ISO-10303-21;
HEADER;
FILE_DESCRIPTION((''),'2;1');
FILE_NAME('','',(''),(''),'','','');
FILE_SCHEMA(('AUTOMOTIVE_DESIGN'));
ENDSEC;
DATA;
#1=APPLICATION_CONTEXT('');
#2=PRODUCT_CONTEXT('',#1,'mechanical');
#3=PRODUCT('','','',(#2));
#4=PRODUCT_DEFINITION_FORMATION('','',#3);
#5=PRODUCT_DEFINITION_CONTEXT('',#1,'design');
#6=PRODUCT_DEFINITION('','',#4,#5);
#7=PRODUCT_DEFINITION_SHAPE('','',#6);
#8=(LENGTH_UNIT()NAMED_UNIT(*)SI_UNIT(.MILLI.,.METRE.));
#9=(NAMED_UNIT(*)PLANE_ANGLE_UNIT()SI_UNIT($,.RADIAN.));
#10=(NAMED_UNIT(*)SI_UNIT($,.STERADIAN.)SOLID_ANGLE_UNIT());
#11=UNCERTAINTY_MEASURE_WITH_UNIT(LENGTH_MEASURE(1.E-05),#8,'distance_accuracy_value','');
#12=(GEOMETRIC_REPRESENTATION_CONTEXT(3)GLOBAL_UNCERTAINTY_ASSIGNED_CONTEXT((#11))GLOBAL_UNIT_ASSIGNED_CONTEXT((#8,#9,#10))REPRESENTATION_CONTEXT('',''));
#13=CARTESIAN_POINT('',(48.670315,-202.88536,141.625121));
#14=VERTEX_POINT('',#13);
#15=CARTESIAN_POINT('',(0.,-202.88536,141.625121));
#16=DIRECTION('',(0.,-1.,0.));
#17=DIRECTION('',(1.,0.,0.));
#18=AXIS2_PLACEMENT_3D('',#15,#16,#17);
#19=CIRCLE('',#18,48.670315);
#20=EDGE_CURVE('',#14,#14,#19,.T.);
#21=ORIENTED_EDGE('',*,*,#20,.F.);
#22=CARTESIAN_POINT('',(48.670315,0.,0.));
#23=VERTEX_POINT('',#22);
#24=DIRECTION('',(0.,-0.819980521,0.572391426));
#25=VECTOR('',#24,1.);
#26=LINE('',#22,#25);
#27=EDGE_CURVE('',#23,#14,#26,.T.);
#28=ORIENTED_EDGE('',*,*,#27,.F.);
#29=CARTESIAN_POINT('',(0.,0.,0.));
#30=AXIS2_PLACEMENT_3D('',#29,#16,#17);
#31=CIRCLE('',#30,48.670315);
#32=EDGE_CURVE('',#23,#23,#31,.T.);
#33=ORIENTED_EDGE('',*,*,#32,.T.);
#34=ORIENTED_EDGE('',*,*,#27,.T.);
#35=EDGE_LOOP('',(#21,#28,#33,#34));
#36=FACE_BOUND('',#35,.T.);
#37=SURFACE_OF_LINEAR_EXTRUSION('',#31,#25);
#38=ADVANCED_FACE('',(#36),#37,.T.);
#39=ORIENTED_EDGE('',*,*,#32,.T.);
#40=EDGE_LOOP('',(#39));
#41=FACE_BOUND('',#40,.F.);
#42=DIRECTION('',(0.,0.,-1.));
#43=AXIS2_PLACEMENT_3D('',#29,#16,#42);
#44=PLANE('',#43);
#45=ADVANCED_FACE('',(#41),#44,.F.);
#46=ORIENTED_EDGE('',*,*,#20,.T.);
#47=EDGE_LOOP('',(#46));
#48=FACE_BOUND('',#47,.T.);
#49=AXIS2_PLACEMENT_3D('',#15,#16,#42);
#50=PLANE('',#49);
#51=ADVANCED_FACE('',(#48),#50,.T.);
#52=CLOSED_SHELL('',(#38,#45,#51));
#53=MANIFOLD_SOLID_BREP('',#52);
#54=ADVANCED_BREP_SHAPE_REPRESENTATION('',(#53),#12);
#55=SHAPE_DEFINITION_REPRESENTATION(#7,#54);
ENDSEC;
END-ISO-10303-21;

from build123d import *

# Parameters (mm, degrees)
F0_R = 48.670315


with BuildPart() as f2:
    # F2: sweep along a path in F1
    with BuildLine(Plane.YZ) as f2_path:
        Line((0, 0), (-202.88536, 141.625121))
    # F0 (on Front) → F2 (sweep)
    with BuildSketch(Plane.XZ):
        Circle(F0_R)
    sweep(path=f2_path.line)


solid = f2.part
